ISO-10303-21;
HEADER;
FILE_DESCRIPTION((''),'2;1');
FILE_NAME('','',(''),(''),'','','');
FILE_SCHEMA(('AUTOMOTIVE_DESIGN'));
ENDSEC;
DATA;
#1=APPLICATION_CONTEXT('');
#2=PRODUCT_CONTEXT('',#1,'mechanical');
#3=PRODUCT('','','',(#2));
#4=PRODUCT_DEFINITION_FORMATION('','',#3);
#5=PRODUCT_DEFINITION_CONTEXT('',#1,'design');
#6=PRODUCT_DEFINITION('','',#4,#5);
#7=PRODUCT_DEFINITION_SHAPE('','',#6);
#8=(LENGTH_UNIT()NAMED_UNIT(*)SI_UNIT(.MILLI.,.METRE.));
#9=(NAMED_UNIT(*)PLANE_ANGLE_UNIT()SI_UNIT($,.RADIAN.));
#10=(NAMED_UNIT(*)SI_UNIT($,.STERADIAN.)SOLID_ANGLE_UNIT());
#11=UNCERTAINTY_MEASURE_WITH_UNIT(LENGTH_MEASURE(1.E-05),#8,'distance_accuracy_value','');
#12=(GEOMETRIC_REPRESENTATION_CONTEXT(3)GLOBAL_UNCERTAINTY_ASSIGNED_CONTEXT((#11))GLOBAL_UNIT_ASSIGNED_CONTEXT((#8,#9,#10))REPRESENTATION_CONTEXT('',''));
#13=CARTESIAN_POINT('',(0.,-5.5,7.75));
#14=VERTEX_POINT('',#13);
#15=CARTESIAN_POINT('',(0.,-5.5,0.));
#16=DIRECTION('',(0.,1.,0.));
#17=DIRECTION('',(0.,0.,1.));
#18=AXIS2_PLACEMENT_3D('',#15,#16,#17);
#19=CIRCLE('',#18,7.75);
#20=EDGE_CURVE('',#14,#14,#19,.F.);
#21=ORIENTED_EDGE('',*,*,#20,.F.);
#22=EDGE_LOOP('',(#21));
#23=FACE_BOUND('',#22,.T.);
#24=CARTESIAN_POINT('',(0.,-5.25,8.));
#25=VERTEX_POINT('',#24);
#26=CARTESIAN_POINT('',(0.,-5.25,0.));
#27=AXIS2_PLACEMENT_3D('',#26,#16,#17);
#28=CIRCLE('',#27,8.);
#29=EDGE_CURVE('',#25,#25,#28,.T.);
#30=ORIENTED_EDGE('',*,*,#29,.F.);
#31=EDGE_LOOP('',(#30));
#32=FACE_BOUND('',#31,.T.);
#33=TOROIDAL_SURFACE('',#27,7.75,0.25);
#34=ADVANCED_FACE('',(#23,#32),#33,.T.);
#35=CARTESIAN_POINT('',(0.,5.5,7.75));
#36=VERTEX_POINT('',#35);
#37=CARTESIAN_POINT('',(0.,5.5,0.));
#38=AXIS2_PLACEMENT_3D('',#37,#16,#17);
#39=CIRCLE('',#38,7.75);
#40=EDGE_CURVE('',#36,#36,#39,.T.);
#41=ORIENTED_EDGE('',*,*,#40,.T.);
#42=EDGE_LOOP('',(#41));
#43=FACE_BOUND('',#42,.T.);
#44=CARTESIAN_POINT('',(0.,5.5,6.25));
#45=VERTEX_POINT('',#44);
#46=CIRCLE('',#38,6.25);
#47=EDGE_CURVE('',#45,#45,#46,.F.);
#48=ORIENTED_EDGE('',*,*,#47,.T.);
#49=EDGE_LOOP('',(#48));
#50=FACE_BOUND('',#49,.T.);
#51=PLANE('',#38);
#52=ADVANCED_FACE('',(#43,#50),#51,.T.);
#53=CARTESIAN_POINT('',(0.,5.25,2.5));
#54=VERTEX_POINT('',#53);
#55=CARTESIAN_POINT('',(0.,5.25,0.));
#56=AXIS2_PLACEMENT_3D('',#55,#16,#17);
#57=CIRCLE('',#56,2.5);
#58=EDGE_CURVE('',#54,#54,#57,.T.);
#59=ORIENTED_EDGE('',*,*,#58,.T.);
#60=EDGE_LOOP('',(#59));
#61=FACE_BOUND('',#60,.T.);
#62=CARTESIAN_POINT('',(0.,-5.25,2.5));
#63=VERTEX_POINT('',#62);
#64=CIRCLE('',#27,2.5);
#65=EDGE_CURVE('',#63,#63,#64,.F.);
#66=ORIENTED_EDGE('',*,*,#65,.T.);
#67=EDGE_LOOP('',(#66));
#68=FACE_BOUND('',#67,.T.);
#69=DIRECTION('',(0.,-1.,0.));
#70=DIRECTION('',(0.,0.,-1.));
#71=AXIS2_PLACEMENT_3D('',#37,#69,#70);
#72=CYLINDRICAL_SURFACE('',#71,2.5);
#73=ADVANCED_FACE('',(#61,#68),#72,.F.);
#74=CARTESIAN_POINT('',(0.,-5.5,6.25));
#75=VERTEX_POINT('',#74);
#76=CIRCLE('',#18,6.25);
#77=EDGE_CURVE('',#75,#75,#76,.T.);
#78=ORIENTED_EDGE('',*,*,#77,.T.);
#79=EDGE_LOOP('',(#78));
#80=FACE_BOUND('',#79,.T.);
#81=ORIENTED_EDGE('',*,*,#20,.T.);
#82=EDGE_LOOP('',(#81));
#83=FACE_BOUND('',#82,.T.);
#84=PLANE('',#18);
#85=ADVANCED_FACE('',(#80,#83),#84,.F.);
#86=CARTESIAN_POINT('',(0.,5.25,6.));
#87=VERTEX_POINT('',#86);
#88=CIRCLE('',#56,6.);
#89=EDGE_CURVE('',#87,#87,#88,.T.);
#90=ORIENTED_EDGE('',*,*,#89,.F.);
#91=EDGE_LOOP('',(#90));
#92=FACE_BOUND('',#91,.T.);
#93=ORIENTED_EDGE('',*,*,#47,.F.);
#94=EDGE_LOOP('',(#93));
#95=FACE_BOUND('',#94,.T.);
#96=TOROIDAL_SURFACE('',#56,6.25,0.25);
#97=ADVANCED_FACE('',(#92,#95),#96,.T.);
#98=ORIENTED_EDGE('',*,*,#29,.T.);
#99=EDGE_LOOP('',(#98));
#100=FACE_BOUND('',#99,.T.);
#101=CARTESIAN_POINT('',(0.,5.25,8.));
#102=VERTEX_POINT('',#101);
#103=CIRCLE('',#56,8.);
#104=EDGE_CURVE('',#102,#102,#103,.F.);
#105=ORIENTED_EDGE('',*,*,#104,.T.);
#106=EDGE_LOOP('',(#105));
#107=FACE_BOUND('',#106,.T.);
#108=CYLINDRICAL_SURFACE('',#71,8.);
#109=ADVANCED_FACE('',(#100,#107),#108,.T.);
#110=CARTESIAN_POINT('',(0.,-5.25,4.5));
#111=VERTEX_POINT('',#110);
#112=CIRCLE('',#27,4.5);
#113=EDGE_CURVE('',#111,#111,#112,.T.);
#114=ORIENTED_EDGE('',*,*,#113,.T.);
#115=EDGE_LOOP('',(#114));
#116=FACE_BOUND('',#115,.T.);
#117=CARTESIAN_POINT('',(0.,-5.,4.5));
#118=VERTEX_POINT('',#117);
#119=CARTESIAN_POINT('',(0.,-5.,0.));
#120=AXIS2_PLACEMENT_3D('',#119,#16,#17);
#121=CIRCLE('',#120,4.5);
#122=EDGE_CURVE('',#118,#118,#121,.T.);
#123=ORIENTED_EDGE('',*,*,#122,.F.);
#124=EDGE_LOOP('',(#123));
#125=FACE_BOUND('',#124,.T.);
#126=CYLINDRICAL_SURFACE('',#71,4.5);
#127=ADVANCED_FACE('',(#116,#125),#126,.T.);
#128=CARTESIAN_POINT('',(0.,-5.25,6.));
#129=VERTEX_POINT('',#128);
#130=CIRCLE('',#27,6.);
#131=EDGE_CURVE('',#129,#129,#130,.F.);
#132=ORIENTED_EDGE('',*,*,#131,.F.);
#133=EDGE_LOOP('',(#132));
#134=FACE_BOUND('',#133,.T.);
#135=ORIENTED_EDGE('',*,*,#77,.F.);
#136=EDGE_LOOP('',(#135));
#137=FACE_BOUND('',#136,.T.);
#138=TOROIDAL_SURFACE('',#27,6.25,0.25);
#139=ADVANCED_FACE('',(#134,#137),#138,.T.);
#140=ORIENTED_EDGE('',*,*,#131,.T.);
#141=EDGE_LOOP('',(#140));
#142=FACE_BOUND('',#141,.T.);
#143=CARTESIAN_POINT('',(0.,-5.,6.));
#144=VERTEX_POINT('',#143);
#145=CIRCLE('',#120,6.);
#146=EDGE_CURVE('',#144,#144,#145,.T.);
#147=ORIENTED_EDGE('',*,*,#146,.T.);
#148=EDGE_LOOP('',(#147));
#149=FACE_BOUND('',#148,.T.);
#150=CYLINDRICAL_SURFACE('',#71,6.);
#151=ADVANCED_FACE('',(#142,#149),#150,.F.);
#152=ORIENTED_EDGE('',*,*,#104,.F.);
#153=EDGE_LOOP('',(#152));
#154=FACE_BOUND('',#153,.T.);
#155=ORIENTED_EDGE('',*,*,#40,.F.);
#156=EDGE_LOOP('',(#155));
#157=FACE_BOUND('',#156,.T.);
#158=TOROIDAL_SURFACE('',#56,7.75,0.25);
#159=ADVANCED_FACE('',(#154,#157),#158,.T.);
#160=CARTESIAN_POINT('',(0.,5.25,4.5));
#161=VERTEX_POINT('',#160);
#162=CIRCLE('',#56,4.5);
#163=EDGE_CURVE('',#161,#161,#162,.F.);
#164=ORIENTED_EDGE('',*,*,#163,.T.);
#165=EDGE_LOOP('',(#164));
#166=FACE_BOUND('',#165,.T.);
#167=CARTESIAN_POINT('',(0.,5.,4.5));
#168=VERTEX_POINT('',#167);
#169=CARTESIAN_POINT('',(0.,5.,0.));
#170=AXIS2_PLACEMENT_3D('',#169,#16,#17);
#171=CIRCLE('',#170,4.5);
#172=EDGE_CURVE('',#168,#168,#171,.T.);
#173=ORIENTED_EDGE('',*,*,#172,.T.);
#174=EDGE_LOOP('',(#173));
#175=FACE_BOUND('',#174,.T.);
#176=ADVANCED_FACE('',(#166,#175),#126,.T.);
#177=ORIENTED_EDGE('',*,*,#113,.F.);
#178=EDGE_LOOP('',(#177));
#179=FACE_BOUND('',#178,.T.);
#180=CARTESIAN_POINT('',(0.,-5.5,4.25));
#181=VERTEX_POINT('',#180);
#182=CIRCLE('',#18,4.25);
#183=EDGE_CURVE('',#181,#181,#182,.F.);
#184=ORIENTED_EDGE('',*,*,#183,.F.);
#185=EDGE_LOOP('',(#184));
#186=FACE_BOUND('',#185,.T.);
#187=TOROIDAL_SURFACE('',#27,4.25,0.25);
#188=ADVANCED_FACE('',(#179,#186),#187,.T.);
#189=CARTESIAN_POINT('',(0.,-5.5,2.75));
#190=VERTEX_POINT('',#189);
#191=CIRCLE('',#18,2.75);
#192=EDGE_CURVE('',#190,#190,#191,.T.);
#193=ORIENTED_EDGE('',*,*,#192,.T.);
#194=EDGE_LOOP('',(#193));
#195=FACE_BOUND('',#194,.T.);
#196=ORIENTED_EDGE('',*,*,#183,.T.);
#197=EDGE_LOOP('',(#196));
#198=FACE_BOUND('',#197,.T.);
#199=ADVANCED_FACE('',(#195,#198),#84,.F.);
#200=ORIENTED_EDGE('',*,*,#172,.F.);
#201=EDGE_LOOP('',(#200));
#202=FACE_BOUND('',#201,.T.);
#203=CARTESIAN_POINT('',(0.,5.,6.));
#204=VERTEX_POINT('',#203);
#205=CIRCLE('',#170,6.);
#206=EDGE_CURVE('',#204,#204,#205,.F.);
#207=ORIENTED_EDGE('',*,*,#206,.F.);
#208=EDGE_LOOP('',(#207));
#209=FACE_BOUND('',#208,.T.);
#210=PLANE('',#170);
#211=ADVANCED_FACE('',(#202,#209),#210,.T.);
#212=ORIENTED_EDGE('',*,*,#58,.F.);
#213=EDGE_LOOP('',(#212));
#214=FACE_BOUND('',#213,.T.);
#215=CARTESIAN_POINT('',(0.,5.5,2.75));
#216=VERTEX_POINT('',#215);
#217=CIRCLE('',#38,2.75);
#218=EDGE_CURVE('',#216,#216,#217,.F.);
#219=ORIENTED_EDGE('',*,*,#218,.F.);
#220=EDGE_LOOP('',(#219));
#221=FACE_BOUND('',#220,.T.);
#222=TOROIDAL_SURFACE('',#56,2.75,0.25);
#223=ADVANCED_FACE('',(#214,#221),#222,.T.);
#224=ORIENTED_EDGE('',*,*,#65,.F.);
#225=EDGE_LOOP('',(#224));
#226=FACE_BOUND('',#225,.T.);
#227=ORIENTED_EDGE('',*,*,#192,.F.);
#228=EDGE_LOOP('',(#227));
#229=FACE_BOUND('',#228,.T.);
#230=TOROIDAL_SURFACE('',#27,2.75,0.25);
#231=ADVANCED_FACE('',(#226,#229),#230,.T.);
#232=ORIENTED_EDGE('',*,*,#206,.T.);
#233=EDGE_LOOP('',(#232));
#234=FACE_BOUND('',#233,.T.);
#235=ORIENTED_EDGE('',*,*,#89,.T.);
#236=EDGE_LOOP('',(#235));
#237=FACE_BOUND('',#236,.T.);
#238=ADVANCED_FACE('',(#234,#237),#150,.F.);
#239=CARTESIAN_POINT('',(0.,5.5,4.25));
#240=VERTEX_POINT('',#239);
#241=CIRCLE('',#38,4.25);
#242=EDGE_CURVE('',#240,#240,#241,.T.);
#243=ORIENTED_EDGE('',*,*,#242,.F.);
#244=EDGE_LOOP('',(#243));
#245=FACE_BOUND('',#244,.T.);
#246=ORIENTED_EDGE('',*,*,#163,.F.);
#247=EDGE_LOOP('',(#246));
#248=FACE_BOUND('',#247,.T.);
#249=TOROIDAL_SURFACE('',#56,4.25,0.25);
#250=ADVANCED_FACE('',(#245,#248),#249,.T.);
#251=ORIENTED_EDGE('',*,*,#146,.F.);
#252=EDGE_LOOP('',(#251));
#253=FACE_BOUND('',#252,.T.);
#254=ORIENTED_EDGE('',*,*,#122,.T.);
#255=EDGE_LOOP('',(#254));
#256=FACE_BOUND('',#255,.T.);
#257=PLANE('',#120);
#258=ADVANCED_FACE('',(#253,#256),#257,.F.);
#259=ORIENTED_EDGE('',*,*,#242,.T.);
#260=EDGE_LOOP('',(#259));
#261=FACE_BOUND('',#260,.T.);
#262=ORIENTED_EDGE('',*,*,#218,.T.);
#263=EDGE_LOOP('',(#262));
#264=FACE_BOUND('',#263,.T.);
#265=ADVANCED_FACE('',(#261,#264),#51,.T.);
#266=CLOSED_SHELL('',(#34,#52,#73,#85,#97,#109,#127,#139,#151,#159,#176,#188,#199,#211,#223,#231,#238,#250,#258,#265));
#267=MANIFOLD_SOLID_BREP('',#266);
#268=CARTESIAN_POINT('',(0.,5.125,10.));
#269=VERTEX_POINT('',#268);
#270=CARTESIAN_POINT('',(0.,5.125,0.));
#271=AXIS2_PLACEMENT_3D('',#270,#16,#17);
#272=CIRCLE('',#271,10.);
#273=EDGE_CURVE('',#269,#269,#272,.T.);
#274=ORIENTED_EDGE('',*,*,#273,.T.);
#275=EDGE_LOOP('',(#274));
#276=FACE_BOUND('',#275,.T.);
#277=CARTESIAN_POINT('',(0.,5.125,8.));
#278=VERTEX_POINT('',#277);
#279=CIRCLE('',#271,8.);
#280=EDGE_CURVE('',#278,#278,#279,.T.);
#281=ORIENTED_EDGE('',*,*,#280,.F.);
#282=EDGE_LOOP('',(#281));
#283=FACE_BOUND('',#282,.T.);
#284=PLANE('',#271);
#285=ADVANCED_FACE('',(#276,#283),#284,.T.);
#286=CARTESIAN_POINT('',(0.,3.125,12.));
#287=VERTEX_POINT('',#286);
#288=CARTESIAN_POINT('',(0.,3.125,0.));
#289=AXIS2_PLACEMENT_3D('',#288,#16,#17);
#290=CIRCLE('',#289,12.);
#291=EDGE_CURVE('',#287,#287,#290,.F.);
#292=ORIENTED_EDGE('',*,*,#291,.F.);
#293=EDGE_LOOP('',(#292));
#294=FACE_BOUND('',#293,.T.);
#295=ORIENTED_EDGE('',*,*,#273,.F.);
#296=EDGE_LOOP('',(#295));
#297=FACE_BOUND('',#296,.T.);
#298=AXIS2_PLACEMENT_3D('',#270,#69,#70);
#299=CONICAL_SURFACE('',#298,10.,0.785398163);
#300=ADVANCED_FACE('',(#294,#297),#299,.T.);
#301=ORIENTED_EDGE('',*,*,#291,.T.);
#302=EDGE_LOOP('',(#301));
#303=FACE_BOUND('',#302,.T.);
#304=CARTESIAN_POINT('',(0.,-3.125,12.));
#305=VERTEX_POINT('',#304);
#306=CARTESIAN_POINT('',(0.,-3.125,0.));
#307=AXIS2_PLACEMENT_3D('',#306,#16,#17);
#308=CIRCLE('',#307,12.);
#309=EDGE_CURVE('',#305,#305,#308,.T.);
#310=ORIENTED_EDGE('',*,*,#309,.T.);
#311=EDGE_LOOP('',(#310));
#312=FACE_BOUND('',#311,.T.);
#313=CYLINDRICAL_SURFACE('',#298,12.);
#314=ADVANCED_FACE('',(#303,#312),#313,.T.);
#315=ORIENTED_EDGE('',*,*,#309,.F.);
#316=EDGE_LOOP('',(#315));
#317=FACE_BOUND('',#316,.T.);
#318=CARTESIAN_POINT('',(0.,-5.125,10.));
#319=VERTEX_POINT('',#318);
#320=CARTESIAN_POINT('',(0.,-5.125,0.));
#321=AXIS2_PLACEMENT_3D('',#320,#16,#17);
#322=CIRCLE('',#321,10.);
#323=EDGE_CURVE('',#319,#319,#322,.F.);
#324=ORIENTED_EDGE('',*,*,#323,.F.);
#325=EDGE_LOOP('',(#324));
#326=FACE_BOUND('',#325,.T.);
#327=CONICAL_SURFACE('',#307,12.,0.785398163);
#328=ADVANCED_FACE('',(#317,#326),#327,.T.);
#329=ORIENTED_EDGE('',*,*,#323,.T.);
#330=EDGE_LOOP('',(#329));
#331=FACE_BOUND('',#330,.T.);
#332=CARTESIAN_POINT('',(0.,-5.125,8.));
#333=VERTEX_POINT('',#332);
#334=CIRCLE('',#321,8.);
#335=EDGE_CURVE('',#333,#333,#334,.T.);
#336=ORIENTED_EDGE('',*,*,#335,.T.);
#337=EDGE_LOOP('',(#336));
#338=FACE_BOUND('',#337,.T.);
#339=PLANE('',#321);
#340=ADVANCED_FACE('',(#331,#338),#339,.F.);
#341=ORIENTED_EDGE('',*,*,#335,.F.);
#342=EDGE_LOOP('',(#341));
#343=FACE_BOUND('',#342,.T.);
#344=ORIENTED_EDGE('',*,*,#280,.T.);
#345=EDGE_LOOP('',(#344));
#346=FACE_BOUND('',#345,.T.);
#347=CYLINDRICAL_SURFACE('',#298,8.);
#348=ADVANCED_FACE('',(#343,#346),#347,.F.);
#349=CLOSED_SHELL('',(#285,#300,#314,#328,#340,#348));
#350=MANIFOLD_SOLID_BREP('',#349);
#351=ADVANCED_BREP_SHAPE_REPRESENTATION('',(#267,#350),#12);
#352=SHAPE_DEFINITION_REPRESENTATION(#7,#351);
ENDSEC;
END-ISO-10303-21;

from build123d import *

# Parameters (mm, degrees)
SKETCH2_R             = 12
SKETCH2_R_2           = 8
BOSS_EXTRUDE1_DEPTH   = 5.125
SKETCH2_3_R           = 8
SKETCH2_3_R_2         = 6
BOSS_EXTRUDE2_DEPTH   = 5.5
SKETCH2_3_R_3         = 4.5
SKETCH2_3_R_4         = 2.5
BOSS_EXTRUDE2_2_DEPTH = 5.5
SKETCH2_5_R           = 6
SKETCH2_5_R_2         = 4.5
BOSS_EXTRUDE3_DEPTH   = 5
CHAMFER1_SIZE         = 2
FILLET1_R             = 0.25


with BuildPart() as part:
    # Sketch2 → Boss-Extrude1 (new, symmetric)
    with BuildSketch(Plane(origin=(0, 0, 0), x_dir=(1, 0, 0), z_dir=(0, 1, 0))):
        with Locations(Location((0, 0, 0), (0, 0, 270))):
            Circle(SKETCH2_R)
        with Locations(Location((0, 0, 0), (0, 0, 270))):
            Circle(SKETCH2_R_2, mode=Mode.SUBTRACT)
    extrude(amount=BOSS_EXTRUDE1_DEPTH, both=True)

    # Chamfer1
    chamfer1_edges = [part.edges().sort_by_distance(p)[0] for p in [
        (0, 5.125, -12),
        (0, -5.125, -12),
    ]]
    chamfer(chamfer1_edges, length=CHAMFER1_SIZE)


with BuildPart() as body_2:
    # Sketch2<3> → Boss-Extrude2 (new, symmetric)
    with BuildSketch(Plane(origin=(0, 0, 0), x_dir=(1, 0, 0), z_dir=(0, 1, 0))):
        with Locations(Location((0, 0, 0), (0, 0, 270))):
            Circle(SKETCH2_3_R)
        with Locations(Location((0, 0, 0), (0, 0, 270))):
            Circle(SKETCH2_3_R_2, mode=Mode.SUBTRACT)
    extrude(amount=BOSS_EXTRUDE2_DEPTH, both=True)



with BuildPart() as body_3:
    # Sketch2<3> → Boss-Extrude2 2 (new, symmetric)
    with BuildSketch(Plane(origin=(0, 0, 0), x_dir=(1, 0, 0), z_dir=(0, 1, 0))):
        with Locations(Location((0, 0, 0), (0, 0, 270))):
            Circle(SKETCH2_3_R_3)
        with Locations(Location((0, 0, 0), (0, 0, 270))):
            Circle(SKETCH2_3_R_4, mode=Mode.SUBTRACT)
    extrude(amount=BOSS_EXTRUDE2_2_DEPTH, both=True)


with BuildPart() as body_2_1:
    add(body_2.part)

    add(body_3.part)  # Boss-Extrude3 merges body 3
    # Sketch2<5> → Boss-Extrude3 (add, symmetric)
    with BuildSketch(Plane(origin=(0, 0, 0), x_dir=(1, 0, 0), z_dir=(0, 1, 0))):
        with Locations(Location((0, 0, 0), (0, 0, 270))):
            Circle(SKETCH2_5_R)
        with Locations(Location((0, 0, 0), (0, 0, 270))):
            Circle(SKETCH2_5_R_2, mode=Mode.SUBTRACT)
    extrude(amount=BOSS_EXTRUDE3_DEPTH, both=True)

    # Fillet1
    fillet1_edges = [body_2_1.edges().sort_by_distance(p)[0] for p in [
        (0, 5.5, -4.5),
        (0, 5.5, -6),
        (0, -5.5, -8),
        (0, 5.5, -8),
        (0, -5.5, -6),
        (0, -5.5, -4.5),
        (0, -5.5, -2.5),
        (0, 5.5, -2.5),
    ]]
    fillet(fillet1_edges, radius=FILLET1_R)


solid = Compound([part.part, body_2_1.part])
